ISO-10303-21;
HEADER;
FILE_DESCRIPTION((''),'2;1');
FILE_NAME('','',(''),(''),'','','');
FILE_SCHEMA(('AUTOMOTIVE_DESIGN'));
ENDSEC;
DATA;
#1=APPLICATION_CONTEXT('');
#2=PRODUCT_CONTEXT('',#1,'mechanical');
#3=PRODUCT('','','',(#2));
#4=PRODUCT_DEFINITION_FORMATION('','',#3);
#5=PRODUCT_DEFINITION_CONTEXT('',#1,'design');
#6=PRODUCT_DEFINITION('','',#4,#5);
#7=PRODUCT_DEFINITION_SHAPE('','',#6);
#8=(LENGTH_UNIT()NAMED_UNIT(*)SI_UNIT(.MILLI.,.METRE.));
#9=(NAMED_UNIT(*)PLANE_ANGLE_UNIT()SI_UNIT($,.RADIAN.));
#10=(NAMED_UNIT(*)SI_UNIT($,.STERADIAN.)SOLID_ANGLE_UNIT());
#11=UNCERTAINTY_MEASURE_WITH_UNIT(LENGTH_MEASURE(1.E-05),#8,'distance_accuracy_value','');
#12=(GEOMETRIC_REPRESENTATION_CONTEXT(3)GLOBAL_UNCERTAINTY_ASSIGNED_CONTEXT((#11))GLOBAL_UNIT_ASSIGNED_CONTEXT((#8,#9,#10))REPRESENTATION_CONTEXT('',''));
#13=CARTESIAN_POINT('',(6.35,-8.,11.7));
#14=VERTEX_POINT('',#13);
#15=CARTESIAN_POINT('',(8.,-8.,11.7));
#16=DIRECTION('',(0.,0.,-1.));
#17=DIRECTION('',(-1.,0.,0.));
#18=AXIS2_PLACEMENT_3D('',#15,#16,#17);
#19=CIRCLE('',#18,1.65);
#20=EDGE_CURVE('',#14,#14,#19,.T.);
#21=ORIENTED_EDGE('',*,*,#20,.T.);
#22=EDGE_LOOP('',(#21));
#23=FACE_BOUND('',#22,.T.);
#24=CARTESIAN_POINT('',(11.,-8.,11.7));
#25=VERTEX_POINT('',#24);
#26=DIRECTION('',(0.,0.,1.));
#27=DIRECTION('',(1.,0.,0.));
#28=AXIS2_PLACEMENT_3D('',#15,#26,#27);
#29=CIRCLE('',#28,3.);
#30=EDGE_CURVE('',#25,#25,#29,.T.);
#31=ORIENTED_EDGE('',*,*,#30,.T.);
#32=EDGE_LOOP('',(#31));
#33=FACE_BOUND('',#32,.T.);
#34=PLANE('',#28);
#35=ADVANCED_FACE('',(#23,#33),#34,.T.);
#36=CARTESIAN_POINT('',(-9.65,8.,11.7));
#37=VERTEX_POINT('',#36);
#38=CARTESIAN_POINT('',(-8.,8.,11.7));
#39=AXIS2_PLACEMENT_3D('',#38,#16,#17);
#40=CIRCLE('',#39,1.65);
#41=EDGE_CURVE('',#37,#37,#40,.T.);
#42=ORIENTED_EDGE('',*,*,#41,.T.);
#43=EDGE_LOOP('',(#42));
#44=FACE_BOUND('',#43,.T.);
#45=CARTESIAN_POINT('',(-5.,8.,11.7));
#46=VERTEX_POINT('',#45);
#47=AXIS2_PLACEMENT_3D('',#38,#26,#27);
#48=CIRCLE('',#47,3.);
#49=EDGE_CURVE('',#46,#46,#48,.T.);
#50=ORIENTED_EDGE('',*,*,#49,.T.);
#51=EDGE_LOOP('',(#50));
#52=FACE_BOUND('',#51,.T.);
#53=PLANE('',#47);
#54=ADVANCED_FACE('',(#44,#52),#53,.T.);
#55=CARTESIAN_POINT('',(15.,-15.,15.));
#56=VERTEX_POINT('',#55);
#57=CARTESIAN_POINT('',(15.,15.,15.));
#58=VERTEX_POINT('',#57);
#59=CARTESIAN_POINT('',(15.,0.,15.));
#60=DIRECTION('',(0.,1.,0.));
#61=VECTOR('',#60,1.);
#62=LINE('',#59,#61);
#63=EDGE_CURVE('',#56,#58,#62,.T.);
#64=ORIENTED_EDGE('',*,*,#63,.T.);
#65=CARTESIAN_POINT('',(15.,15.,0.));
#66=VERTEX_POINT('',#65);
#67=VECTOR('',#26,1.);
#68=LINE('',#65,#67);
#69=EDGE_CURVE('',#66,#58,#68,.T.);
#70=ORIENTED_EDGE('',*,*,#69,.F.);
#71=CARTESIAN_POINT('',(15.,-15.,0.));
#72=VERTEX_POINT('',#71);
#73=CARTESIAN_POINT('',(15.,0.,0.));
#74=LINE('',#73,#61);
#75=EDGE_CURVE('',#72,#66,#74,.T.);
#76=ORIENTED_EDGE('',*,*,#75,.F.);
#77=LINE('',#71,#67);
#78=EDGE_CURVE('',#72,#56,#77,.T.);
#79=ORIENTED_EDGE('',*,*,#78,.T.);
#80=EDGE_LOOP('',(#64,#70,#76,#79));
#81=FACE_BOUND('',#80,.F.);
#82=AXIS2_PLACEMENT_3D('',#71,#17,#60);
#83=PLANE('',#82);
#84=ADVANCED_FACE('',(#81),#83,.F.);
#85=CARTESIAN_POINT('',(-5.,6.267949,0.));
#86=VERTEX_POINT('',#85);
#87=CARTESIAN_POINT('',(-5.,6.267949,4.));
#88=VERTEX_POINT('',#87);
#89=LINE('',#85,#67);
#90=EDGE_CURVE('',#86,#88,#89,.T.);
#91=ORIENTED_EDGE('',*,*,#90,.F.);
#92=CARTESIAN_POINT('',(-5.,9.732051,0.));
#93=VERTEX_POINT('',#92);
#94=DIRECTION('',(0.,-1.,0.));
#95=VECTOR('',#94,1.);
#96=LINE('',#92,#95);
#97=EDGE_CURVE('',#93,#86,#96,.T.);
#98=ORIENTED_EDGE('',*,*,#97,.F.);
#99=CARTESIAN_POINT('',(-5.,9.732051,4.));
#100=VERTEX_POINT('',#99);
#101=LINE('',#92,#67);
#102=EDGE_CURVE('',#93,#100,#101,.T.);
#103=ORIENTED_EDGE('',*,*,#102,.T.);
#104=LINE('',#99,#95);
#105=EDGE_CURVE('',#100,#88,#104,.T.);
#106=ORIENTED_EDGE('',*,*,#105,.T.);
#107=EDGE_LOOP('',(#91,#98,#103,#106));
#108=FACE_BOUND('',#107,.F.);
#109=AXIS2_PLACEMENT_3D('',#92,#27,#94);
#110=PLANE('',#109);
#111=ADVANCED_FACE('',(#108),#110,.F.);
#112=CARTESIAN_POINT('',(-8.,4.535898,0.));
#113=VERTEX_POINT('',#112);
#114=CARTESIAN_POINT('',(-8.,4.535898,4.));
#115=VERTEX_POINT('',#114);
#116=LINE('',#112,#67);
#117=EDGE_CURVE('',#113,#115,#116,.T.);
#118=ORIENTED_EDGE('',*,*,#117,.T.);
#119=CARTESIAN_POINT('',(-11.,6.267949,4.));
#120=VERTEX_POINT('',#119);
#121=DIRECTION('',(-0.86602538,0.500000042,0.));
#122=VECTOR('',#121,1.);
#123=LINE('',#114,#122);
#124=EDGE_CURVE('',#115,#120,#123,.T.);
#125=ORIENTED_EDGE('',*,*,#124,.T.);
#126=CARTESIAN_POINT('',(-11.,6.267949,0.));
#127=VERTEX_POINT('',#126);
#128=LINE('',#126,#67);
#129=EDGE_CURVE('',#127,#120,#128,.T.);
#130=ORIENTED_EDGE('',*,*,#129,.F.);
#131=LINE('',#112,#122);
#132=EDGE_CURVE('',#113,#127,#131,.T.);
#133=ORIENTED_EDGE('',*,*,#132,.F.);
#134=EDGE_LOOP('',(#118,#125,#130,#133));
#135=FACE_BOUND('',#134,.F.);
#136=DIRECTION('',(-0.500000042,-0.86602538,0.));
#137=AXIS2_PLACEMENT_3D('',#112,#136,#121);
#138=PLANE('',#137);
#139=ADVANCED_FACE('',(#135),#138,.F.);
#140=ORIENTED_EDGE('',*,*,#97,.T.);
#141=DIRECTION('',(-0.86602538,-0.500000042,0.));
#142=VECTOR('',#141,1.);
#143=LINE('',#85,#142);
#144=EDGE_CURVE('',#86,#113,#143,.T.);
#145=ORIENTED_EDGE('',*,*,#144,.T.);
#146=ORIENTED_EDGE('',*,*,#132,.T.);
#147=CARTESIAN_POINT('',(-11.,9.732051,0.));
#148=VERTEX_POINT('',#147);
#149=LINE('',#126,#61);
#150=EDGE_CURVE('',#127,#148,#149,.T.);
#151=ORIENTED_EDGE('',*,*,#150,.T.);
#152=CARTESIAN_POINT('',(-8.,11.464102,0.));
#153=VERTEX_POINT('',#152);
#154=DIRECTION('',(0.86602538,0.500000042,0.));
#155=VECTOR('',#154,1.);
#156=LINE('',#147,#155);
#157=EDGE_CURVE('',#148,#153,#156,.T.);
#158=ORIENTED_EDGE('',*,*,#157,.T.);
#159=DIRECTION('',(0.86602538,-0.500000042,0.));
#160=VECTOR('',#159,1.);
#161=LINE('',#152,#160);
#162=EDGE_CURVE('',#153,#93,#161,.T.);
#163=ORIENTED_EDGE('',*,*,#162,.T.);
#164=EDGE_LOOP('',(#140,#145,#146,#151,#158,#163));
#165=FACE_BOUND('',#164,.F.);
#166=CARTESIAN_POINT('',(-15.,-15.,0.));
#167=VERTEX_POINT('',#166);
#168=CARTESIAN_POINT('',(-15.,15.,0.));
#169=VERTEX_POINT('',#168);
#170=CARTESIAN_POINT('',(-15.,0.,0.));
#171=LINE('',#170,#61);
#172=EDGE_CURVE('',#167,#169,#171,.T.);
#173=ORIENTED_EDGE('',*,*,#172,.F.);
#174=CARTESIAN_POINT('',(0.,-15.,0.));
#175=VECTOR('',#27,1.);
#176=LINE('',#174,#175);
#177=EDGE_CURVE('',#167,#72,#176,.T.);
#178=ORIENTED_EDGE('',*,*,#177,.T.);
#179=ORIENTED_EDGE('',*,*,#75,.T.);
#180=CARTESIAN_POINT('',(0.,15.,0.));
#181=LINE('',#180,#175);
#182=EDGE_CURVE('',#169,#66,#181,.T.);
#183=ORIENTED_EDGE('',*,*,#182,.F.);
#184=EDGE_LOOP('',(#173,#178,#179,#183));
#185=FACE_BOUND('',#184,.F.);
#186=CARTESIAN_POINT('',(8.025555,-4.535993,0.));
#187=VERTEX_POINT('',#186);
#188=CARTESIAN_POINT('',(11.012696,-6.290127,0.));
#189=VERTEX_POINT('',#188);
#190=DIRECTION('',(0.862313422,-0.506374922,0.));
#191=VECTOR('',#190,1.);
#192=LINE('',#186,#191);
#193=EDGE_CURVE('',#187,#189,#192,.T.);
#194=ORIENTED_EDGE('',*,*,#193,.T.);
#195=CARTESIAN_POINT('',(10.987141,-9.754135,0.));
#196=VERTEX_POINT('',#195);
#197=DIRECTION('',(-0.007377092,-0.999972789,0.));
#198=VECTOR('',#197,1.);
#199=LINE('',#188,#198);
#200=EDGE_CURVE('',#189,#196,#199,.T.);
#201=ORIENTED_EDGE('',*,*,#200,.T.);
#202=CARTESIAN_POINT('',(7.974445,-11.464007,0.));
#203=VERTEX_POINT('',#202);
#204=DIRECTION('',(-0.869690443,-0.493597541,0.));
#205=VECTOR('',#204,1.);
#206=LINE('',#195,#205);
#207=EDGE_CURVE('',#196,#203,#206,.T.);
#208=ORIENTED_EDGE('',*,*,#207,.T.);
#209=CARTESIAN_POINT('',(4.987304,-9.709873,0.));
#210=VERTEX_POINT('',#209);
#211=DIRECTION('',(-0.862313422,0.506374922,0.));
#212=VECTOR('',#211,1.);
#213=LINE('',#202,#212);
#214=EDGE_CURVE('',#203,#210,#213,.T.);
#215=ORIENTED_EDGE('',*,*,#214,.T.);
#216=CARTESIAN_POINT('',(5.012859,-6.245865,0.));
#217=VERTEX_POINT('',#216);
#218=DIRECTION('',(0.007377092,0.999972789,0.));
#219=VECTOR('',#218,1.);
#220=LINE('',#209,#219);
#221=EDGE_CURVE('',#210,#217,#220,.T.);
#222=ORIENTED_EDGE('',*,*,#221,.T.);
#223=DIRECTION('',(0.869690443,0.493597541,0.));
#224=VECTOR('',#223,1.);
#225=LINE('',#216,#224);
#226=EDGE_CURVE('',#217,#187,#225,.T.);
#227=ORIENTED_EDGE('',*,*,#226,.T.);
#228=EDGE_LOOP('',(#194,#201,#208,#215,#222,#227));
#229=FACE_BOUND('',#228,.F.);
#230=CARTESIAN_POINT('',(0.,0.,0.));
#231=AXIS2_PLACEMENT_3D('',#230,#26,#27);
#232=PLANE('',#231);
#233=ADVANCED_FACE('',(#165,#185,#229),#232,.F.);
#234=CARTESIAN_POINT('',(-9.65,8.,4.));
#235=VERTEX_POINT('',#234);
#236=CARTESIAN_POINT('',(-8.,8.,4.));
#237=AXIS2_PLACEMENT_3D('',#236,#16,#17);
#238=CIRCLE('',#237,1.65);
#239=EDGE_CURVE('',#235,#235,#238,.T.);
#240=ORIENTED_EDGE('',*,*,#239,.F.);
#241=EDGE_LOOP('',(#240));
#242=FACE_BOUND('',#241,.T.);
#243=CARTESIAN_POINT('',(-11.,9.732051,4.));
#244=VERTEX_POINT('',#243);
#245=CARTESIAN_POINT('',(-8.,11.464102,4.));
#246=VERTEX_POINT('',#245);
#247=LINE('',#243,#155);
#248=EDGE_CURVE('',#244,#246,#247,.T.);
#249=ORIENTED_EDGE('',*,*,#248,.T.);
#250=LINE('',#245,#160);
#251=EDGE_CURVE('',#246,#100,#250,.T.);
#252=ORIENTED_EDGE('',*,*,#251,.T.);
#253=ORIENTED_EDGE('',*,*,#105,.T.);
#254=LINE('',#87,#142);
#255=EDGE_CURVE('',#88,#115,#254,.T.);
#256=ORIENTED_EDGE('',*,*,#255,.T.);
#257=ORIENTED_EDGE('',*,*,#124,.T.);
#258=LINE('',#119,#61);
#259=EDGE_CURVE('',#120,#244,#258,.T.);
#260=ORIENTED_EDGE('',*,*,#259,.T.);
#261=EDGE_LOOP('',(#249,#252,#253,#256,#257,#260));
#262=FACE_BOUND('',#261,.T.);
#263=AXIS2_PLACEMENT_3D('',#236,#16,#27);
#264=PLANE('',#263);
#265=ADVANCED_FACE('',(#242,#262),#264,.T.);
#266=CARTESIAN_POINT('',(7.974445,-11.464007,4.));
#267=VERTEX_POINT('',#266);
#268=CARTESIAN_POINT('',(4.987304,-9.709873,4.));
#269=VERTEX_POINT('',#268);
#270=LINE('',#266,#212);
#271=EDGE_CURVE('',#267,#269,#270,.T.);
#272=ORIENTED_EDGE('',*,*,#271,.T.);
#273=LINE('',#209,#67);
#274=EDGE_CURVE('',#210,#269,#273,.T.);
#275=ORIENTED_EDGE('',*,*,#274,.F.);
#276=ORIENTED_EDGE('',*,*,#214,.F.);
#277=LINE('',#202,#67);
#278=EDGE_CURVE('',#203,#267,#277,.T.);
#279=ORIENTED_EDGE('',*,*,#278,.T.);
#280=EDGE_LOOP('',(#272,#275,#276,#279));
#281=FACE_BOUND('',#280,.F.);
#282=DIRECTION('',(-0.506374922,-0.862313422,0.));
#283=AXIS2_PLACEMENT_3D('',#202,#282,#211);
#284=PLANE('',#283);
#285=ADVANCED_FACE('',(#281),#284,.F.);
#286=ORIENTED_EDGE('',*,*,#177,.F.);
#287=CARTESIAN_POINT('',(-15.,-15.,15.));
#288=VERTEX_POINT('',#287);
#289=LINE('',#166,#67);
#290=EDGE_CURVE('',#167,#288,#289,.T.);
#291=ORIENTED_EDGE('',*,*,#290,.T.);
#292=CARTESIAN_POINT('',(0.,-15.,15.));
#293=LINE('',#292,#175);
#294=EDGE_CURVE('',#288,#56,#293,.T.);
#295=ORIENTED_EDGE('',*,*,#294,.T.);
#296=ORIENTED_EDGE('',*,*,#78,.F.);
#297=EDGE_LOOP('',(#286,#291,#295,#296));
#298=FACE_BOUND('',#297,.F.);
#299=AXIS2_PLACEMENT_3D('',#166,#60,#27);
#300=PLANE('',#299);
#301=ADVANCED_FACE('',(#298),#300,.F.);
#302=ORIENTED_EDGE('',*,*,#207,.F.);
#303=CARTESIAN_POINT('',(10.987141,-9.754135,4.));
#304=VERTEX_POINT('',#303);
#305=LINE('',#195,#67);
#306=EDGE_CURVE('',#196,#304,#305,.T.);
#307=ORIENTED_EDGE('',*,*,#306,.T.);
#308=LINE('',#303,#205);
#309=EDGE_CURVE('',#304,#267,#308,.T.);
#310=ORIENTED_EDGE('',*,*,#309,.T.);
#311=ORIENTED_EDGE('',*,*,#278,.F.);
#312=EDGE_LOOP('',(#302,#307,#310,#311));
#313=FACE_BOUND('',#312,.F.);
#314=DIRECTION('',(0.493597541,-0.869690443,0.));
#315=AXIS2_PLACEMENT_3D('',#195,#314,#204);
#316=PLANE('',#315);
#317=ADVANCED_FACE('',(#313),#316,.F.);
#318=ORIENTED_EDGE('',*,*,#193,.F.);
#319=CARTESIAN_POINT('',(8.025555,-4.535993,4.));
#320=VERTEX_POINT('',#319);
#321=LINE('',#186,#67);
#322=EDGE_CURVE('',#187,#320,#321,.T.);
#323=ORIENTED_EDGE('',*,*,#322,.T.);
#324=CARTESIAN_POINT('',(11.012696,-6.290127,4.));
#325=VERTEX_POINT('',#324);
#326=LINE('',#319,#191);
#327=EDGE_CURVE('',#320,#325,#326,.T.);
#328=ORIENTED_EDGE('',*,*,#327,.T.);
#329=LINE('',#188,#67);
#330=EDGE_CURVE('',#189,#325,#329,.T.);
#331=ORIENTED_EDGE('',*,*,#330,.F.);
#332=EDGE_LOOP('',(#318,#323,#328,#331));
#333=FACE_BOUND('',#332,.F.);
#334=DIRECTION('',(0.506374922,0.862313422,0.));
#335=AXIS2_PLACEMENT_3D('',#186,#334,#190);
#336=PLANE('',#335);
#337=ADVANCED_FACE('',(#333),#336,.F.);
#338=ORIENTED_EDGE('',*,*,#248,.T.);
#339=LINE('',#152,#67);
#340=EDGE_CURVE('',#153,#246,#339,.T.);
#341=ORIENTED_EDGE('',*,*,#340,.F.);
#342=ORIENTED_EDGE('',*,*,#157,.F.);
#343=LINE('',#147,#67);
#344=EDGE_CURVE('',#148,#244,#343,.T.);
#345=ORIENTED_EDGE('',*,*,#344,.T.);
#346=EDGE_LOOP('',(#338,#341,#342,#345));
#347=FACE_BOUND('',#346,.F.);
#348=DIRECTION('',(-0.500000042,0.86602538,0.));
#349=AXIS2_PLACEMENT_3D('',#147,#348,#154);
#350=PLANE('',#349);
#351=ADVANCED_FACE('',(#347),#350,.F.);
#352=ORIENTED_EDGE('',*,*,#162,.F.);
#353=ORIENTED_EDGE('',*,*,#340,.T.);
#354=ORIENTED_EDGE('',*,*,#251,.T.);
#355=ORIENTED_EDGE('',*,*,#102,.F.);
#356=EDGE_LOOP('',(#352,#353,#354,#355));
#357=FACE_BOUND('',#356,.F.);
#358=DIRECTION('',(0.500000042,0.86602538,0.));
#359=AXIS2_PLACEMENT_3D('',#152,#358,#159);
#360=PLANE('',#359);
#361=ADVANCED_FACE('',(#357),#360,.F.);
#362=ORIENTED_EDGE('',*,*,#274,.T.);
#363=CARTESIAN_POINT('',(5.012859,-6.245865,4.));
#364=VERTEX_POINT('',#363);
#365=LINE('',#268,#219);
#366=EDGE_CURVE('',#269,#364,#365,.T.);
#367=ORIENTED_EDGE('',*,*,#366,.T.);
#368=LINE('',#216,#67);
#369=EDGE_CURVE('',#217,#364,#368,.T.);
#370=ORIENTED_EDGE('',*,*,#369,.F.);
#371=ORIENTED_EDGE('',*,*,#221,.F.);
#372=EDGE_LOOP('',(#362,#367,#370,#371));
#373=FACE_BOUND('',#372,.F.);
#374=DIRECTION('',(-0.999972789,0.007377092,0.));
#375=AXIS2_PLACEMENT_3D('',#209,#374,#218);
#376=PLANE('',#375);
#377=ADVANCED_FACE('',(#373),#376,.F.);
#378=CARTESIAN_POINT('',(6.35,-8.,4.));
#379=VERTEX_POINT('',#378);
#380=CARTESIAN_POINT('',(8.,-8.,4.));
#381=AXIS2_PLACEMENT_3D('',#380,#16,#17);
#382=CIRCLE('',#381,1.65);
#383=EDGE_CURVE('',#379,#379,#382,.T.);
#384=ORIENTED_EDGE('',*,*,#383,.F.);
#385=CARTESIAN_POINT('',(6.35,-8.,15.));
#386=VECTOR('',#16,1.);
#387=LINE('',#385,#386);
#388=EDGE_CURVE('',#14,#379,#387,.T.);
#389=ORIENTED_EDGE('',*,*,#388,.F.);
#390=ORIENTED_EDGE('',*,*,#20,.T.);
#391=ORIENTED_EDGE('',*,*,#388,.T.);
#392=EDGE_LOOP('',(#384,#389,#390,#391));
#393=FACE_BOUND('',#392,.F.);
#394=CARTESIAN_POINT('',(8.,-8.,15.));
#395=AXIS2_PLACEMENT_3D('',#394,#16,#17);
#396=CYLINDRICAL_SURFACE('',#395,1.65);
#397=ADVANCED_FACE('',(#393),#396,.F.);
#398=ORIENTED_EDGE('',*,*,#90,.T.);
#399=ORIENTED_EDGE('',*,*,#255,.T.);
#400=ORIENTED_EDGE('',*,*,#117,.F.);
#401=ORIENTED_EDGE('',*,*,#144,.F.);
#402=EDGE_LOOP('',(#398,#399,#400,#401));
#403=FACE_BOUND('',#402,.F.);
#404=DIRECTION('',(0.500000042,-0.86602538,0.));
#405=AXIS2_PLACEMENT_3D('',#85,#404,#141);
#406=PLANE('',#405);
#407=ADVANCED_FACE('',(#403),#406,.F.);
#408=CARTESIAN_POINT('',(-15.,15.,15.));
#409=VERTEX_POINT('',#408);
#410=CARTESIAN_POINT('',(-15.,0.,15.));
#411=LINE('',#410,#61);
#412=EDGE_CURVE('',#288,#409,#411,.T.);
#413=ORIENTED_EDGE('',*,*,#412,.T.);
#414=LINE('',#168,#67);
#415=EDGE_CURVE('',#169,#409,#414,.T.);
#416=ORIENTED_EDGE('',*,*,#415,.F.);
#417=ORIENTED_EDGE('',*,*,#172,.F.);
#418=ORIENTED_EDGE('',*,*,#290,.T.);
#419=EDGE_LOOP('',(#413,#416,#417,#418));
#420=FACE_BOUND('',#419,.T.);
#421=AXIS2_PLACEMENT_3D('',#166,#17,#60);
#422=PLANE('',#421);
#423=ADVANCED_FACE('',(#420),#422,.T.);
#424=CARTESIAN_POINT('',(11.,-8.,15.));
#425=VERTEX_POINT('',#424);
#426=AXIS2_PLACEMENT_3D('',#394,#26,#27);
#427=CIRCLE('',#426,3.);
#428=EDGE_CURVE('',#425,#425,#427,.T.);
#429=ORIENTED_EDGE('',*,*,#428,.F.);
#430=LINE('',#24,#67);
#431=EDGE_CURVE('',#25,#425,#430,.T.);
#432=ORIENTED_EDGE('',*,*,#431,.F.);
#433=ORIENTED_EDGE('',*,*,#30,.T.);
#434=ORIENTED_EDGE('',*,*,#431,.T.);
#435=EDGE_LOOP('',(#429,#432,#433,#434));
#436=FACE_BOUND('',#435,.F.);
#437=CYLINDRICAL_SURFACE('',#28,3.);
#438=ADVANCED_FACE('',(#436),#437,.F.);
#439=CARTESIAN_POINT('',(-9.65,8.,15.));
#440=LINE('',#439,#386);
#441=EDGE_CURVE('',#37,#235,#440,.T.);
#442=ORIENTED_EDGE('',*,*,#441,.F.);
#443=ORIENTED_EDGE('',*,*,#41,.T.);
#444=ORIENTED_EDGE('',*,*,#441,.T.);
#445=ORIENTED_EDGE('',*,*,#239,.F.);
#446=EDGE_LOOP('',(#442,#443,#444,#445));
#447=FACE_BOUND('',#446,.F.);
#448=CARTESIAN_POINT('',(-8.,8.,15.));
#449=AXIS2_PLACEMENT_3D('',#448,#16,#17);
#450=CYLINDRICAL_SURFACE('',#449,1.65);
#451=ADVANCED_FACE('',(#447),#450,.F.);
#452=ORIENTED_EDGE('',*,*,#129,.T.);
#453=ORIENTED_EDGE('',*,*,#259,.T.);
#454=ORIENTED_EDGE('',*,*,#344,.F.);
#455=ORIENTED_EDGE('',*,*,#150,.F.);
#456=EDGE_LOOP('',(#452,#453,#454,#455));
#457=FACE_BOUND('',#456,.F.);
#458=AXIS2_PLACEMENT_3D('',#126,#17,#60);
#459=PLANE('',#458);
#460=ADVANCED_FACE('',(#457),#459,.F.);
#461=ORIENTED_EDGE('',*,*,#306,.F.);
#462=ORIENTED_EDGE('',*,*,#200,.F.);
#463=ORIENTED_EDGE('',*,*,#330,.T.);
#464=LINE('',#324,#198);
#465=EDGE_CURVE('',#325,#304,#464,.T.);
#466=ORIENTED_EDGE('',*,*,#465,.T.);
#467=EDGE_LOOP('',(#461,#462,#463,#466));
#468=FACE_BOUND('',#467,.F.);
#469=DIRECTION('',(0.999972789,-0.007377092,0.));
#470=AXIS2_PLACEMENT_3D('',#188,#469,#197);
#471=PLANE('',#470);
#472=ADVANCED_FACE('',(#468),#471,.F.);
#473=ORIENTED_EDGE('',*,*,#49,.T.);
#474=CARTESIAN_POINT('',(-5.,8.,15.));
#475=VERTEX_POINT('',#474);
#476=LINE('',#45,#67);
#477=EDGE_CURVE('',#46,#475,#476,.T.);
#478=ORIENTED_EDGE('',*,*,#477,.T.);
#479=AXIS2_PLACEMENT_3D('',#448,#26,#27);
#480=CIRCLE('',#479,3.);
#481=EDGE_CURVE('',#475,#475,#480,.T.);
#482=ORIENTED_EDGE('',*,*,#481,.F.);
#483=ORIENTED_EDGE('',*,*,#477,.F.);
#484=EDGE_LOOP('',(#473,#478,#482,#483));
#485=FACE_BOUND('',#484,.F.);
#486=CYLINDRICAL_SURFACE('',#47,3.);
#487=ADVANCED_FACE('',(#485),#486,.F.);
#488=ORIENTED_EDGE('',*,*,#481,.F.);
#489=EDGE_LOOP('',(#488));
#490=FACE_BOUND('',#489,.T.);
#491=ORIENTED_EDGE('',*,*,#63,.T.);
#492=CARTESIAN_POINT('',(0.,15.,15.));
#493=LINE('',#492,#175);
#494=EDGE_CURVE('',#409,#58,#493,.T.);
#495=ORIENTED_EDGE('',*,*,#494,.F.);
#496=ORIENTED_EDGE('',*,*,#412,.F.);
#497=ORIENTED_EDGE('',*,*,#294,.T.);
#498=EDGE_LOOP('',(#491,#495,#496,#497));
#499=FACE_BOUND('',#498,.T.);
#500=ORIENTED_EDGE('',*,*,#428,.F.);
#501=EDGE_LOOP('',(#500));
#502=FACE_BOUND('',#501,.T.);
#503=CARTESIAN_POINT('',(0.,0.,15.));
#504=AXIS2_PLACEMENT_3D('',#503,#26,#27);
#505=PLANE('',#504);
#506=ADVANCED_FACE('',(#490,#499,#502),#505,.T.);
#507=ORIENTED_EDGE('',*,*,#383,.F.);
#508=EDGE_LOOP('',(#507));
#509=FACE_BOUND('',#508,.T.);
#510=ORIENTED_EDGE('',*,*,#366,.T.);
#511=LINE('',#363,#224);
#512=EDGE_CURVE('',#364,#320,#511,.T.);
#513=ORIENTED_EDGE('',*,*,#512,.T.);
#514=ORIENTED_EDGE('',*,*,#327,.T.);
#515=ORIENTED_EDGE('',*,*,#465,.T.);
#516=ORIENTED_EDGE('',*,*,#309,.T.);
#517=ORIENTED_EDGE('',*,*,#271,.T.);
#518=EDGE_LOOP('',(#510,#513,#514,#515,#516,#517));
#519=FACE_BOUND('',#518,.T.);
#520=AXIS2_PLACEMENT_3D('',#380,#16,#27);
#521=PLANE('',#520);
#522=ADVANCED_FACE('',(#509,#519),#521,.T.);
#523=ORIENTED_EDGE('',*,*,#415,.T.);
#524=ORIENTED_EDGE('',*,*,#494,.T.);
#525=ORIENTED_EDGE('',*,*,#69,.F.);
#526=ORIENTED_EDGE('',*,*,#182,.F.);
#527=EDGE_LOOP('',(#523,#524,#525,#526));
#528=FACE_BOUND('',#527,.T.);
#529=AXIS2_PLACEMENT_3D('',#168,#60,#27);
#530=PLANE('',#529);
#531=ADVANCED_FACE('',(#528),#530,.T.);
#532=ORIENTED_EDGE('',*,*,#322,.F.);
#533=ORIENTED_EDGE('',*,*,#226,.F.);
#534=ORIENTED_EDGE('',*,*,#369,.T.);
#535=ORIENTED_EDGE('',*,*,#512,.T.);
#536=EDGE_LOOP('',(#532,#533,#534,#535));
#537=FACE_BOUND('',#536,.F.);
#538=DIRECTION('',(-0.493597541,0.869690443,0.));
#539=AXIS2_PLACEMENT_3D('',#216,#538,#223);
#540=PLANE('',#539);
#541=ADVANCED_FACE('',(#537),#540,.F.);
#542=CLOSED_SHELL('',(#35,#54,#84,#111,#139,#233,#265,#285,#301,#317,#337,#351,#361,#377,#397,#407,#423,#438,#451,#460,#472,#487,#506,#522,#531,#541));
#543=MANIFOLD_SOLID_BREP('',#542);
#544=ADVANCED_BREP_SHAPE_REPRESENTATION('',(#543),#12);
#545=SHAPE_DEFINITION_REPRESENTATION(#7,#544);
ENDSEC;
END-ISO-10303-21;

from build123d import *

# Parameters (mm, degrees)
F0_W           = 30
F0_H           = 30
F1_DEPTH       = 15
F3_D           = 3.3
F3_CBORE_D     = 6
F3_CBORE_DEPTH = 3.3
F5_DEPTH       = 4


with BuildPart() as f1:
    # F0 (on Top) → F1 (new body)
    with BuildSketch(Plane.XY):
        Rectangle(F0_W, F0_H)
    extrude(amount=F1_DEPTH)

    # F3 (through all)
    with Locations(Plane.XY.offset(15)):
        with Locations((-8, 8), (8, -8)):
            CounterBoreHole(F3_D / 2, F3_CBORE_D / 2, F3_CBORE_DEPTH)

    # F4 (on face) → F5 (cut)
    with BuildSketch(Plane(origin=(0, 0, 0), x_dir=(1, 0, 0), z_dir=(0, 0, -1))):
        Polygon((-5, -9.732051), (-5, -6.267949), (-8, -4.535898), (-11, -6.267949), (-11, -9.732051), (-8, -11.464102), align=None)
        Polygon((8.025555, 4.535993), (11.012696, 6.290127), (10.987141, 9.754135), (7.974445, 11.464007), (4.987304, 9.709873), (5.012859, 6.245865), align=None)
    extrude(amount=-F5_DEPTH, mode=Mode.SUBTRACT)


solid = f1.part
